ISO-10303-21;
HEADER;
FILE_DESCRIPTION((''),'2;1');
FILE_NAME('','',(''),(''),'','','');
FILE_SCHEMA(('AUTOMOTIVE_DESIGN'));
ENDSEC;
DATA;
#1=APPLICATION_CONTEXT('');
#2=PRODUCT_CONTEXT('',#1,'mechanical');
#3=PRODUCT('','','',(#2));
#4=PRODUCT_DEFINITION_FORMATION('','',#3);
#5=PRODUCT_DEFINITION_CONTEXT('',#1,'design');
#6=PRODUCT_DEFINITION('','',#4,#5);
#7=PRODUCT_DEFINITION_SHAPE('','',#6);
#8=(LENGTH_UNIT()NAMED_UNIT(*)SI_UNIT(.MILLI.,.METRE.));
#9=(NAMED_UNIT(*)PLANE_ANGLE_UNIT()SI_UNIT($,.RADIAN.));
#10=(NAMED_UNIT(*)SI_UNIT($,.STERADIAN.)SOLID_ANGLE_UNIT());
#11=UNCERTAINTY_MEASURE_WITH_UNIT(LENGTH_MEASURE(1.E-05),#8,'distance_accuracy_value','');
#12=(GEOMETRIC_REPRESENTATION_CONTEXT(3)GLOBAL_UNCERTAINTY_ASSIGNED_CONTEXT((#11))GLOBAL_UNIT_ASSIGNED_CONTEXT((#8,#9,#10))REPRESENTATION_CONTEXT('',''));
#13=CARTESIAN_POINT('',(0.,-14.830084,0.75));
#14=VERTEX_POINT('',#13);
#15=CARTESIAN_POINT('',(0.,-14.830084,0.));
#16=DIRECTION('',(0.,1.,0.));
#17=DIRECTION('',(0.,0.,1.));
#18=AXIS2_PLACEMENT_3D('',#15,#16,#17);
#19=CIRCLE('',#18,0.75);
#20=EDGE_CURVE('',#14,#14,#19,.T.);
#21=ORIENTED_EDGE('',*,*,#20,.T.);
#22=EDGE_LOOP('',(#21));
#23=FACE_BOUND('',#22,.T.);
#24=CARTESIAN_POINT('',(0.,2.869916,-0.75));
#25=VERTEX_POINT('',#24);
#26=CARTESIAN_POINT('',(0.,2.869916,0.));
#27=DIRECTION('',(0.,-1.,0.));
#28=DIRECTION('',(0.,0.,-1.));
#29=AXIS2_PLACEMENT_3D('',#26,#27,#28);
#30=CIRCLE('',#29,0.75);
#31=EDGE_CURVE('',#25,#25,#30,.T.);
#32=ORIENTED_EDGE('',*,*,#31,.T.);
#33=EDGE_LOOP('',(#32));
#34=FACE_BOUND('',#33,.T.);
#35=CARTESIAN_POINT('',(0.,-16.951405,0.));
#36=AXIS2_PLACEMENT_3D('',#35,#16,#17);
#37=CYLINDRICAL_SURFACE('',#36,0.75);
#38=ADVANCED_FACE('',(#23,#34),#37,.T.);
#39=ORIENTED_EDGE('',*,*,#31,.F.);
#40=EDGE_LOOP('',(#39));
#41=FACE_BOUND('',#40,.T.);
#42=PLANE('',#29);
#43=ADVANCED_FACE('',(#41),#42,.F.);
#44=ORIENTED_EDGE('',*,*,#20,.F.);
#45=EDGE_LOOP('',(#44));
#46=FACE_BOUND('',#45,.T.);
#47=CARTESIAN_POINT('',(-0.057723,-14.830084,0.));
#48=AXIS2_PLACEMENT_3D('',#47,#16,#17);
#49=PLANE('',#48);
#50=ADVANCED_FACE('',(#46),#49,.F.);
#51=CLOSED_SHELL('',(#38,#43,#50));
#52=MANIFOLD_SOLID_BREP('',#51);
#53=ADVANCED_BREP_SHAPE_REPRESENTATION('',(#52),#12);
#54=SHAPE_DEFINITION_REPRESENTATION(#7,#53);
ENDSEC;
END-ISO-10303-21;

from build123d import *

# Parameters (mm, degrees)
SKETCH_1_R      = 0.75
EXTRUDE_1_DEPTH = 17.7


with BuildPart() as part:
    # 草图1 → 凸台-拉伸1 (new body)
    with BuildSketch(Plane.XZ.offset(-2.869915694)):
        Circle(SKETCH_1_R)
    extrude(amount=EXTRUDE_1_DEPTH)


solid = part.part
